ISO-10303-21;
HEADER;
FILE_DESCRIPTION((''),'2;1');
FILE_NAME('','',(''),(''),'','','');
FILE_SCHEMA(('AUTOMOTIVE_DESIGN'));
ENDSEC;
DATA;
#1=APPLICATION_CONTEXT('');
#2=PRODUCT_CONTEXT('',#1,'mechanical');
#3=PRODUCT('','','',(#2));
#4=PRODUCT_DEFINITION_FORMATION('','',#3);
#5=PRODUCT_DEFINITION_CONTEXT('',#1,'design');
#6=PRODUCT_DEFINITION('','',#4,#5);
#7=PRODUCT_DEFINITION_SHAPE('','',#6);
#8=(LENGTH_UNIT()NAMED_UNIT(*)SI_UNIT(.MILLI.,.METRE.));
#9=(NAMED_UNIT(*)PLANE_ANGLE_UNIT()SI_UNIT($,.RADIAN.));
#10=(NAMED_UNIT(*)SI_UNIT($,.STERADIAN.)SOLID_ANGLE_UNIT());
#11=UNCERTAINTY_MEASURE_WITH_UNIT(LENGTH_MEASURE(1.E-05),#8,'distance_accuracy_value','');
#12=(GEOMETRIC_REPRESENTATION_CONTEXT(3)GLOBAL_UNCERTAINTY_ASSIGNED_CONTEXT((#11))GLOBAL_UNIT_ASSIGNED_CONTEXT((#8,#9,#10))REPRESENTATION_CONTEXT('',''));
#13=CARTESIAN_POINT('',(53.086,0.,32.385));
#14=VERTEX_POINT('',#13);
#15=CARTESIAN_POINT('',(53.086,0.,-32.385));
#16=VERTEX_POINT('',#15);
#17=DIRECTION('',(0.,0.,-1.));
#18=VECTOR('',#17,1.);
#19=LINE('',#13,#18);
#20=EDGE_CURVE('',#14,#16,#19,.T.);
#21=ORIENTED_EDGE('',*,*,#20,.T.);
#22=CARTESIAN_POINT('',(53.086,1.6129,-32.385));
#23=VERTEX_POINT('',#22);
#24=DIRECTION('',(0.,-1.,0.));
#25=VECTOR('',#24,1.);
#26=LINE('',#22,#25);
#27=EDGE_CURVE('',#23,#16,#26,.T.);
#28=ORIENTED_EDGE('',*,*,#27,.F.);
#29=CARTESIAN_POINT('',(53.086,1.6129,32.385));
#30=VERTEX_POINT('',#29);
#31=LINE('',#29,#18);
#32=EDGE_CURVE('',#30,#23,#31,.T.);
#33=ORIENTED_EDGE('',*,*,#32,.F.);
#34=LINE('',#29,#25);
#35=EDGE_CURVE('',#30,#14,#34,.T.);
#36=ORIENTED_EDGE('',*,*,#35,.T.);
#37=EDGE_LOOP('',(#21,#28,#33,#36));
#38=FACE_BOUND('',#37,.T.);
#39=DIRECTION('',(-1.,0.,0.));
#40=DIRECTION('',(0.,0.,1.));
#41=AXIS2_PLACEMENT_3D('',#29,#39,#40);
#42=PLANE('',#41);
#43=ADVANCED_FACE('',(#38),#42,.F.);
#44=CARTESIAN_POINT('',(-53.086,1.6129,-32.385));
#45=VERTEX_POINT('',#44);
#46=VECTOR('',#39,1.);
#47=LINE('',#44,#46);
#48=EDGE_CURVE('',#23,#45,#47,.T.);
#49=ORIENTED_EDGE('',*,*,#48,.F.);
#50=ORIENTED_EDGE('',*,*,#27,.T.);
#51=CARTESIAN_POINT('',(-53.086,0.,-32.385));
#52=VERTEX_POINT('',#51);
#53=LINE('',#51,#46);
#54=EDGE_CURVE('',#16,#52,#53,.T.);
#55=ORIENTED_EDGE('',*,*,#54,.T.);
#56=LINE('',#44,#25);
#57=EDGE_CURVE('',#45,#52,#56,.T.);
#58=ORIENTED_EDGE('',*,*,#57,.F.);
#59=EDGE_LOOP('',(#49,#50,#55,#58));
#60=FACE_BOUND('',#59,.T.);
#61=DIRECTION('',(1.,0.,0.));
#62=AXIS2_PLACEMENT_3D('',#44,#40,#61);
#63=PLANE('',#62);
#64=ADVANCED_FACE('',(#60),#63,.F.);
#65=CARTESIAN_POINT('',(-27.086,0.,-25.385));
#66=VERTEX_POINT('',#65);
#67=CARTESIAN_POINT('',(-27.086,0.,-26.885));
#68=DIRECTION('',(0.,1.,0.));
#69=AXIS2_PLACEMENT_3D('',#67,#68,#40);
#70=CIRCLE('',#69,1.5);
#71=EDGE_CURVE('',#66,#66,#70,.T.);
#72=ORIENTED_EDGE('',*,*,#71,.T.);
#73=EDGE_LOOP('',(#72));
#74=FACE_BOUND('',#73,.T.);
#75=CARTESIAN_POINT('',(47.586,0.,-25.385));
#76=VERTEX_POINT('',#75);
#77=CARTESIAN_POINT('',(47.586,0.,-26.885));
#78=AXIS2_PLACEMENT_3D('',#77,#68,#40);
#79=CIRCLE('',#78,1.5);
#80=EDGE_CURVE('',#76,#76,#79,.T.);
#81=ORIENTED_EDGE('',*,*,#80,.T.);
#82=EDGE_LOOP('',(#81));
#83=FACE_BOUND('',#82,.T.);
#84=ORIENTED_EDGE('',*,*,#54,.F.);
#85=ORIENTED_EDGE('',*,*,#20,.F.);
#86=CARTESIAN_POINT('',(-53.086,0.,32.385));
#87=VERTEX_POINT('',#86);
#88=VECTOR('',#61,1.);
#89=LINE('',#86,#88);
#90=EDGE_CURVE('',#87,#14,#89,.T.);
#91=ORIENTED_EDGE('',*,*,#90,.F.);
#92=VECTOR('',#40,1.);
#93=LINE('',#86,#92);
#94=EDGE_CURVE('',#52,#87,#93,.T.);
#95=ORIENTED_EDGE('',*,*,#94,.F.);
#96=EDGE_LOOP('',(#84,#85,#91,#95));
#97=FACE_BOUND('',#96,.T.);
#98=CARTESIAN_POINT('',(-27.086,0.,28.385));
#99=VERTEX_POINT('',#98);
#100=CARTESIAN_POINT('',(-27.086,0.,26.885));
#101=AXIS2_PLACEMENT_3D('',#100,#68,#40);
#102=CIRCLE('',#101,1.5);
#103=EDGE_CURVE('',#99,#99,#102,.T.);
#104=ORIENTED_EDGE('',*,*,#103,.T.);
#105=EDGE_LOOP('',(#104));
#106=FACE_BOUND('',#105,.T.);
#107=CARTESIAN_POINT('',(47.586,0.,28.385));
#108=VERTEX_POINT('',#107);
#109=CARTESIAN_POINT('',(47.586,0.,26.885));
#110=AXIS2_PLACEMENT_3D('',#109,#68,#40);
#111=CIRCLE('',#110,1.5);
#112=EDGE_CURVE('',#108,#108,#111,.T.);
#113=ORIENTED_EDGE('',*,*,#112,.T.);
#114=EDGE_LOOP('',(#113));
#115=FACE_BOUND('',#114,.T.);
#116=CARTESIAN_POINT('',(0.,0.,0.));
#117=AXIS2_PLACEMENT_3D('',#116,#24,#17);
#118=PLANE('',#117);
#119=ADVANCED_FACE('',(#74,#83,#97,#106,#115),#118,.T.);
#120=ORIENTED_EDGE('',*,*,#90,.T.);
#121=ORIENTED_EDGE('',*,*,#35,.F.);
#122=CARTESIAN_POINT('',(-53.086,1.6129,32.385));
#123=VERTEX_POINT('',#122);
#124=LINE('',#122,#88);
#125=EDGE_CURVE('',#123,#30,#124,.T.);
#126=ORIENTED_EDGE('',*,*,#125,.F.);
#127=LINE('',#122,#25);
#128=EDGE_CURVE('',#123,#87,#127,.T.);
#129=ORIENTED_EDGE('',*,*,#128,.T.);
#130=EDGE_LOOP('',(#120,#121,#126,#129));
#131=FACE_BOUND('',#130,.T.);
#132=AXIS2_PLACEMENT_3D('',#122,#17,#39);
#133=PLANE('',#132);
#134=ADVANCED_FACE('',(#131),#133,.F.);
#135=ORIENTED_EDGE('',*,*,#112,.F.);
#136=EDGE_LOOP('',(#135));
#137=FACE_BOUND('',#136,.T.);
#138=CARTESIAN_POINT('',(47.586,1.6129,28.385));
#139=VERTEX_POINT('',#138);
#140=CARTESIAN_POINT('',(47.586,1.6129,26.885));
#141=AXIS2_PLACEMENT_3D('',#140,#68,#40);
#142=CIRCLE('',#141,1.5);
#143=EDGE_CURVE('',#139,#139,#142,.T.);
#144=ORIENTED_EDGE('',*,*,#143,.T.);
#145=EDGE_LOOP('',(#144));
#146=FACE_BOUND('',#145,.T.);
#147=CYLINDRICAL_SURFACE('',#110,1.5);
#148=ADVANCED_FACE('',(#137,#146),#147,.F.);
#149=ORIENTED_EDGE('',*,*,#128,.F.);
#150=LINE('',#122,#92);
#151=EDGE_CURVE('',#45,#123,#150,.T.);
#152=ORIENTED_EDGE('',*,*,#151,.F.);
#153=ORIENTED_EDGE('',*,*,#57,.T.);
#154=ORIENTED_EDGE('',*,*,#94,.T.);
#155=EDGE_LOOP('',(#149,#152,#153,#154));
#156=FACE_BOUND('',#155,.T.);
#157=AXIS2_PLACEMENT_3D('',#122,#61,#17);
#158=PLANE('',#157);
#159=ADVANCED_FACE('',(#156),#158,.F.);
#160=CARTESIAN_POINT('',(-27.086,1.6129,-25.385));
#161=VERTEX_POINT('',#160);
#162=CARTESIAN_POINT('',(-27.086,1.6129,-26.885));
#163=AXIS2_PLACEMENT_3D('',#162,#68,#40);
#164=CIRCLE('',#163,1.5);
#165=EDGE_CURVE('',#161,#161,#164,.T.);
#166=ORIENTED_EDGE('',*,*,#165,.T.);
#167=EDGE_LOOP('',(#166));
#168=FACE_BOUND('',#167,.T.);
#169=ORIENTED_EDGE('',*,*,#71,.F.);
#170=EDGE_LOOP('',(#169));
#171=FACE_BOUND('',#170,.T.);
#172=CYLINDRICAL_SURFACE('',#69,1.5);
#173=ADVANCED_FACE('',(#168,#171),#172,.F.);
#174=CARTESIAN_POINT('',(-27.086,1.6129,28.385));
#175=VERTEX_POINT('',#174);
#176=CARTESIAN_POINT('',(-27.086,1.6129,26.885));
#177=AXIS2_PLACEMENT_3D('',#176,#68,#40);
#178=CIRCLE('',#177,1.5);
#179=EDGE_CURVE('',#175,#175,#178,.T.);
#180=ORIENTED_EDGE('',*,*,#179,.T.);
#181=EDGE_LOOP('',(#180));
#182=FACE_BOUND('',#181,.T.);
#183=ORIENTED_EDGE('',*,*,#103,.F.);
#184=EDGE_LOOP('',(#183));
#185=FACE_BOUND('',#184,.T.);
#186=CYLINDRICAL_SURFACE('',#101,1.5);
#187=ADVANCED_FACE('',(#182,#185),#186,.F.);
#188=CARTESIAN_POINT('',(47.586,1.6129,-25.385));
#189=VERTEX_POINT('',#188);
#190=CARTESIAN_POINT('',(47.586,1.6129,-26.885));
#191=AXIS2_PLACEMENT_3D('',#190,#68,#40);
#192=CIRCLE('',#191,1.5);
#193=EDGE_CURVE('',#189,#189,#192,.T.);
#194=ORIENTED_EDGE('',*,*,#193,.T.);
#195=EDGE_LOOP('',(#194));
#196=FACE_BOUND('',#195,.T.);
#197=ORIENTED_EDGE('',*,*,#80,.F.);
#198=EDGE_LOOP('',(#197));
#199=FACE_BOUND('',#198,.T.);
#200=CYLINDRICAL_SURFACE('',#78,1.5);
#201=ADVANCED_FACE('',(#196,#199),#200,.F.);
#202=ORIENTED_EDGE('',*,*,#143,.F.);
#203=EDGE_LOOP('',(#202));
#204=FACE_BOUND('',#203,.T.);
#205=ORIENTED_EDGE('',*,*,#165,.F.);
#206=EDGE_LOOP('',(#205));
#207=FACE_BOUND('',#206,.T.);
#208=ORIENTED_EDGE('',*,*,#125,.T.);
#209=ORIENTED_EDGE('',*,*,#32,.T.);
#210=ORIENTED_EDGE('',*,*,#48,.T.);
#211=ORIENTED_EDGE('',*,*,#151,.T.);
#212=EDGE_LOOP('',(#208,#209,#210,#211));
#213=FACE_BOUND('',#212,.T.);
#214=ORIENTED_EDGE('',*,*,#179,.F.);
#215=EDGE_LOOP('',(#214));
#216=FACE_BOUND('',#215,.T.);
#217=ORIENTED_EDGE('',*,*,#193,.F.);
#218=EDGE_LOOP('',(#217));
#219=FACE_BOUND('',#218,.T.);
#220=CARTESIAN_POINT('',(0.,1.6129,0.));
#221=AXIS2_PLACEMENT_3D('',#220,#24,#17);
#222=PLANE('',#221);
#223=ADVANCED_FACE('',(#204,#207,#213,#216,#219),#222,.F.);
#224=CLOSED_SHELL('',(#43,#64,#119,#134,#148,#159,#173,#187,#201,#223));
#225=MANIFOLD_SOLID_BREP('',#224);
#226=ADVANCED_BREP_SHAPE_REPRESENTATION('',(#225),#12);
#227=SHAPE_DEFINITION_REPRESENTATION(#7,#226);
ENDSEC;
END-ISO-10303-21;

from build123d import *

# Parameters (mm, degrees)
SKETCH1_W           = 106.172
SKETCH1_H           = 64.77
BOSS_EXTRUDE1_DEPTH = 1.6129
SKETCH2_R           = 1.5
CUT_EXTRUDE1_DEPTH  = 1.6129


with BuildPart() as part:
    # Sketch1 → Boss-Extrude1 (new body)
    with BuildSketch(Plane(origin=(0, 0, 0), x_dir=(1, 0, 0), z_dir=(0, 1, 0))):
        Rectangle(SKETCH1_W, SKETCH1_H)
    extrude(amount=BOSS_EXTRUDE1_DEPTH)

    # Sketch2 → Cut-Extrude1 (cut)
    with BuildSketch(Plane(origin=(0, 1.6129, 0), x_dir=(1, 0, 0), z_dir=(0, 1, 0))):
        with Locations(Location((47.586, 26.885, 0), (0, 0, 270))):
            Circle(SKETCH2_R)
        with Locations(Location((47.586, -26.885, 0), (0, 0, 270))):
            Circle(SKETCH2_R)
        with Locations(Location((-27.086, -26.885, 0), (0, 0, 270))):
            Circle(SKETCH2_R)
        with Locations(Location((-27.086, 26.885, 0), (0, 0, 270))):
            Circle(SKETCH2_R)
    extrude(amount=-CUT_EXTRUDE1_DEPTH, mode=Mode.SUBTRACT)


solid = part.part
